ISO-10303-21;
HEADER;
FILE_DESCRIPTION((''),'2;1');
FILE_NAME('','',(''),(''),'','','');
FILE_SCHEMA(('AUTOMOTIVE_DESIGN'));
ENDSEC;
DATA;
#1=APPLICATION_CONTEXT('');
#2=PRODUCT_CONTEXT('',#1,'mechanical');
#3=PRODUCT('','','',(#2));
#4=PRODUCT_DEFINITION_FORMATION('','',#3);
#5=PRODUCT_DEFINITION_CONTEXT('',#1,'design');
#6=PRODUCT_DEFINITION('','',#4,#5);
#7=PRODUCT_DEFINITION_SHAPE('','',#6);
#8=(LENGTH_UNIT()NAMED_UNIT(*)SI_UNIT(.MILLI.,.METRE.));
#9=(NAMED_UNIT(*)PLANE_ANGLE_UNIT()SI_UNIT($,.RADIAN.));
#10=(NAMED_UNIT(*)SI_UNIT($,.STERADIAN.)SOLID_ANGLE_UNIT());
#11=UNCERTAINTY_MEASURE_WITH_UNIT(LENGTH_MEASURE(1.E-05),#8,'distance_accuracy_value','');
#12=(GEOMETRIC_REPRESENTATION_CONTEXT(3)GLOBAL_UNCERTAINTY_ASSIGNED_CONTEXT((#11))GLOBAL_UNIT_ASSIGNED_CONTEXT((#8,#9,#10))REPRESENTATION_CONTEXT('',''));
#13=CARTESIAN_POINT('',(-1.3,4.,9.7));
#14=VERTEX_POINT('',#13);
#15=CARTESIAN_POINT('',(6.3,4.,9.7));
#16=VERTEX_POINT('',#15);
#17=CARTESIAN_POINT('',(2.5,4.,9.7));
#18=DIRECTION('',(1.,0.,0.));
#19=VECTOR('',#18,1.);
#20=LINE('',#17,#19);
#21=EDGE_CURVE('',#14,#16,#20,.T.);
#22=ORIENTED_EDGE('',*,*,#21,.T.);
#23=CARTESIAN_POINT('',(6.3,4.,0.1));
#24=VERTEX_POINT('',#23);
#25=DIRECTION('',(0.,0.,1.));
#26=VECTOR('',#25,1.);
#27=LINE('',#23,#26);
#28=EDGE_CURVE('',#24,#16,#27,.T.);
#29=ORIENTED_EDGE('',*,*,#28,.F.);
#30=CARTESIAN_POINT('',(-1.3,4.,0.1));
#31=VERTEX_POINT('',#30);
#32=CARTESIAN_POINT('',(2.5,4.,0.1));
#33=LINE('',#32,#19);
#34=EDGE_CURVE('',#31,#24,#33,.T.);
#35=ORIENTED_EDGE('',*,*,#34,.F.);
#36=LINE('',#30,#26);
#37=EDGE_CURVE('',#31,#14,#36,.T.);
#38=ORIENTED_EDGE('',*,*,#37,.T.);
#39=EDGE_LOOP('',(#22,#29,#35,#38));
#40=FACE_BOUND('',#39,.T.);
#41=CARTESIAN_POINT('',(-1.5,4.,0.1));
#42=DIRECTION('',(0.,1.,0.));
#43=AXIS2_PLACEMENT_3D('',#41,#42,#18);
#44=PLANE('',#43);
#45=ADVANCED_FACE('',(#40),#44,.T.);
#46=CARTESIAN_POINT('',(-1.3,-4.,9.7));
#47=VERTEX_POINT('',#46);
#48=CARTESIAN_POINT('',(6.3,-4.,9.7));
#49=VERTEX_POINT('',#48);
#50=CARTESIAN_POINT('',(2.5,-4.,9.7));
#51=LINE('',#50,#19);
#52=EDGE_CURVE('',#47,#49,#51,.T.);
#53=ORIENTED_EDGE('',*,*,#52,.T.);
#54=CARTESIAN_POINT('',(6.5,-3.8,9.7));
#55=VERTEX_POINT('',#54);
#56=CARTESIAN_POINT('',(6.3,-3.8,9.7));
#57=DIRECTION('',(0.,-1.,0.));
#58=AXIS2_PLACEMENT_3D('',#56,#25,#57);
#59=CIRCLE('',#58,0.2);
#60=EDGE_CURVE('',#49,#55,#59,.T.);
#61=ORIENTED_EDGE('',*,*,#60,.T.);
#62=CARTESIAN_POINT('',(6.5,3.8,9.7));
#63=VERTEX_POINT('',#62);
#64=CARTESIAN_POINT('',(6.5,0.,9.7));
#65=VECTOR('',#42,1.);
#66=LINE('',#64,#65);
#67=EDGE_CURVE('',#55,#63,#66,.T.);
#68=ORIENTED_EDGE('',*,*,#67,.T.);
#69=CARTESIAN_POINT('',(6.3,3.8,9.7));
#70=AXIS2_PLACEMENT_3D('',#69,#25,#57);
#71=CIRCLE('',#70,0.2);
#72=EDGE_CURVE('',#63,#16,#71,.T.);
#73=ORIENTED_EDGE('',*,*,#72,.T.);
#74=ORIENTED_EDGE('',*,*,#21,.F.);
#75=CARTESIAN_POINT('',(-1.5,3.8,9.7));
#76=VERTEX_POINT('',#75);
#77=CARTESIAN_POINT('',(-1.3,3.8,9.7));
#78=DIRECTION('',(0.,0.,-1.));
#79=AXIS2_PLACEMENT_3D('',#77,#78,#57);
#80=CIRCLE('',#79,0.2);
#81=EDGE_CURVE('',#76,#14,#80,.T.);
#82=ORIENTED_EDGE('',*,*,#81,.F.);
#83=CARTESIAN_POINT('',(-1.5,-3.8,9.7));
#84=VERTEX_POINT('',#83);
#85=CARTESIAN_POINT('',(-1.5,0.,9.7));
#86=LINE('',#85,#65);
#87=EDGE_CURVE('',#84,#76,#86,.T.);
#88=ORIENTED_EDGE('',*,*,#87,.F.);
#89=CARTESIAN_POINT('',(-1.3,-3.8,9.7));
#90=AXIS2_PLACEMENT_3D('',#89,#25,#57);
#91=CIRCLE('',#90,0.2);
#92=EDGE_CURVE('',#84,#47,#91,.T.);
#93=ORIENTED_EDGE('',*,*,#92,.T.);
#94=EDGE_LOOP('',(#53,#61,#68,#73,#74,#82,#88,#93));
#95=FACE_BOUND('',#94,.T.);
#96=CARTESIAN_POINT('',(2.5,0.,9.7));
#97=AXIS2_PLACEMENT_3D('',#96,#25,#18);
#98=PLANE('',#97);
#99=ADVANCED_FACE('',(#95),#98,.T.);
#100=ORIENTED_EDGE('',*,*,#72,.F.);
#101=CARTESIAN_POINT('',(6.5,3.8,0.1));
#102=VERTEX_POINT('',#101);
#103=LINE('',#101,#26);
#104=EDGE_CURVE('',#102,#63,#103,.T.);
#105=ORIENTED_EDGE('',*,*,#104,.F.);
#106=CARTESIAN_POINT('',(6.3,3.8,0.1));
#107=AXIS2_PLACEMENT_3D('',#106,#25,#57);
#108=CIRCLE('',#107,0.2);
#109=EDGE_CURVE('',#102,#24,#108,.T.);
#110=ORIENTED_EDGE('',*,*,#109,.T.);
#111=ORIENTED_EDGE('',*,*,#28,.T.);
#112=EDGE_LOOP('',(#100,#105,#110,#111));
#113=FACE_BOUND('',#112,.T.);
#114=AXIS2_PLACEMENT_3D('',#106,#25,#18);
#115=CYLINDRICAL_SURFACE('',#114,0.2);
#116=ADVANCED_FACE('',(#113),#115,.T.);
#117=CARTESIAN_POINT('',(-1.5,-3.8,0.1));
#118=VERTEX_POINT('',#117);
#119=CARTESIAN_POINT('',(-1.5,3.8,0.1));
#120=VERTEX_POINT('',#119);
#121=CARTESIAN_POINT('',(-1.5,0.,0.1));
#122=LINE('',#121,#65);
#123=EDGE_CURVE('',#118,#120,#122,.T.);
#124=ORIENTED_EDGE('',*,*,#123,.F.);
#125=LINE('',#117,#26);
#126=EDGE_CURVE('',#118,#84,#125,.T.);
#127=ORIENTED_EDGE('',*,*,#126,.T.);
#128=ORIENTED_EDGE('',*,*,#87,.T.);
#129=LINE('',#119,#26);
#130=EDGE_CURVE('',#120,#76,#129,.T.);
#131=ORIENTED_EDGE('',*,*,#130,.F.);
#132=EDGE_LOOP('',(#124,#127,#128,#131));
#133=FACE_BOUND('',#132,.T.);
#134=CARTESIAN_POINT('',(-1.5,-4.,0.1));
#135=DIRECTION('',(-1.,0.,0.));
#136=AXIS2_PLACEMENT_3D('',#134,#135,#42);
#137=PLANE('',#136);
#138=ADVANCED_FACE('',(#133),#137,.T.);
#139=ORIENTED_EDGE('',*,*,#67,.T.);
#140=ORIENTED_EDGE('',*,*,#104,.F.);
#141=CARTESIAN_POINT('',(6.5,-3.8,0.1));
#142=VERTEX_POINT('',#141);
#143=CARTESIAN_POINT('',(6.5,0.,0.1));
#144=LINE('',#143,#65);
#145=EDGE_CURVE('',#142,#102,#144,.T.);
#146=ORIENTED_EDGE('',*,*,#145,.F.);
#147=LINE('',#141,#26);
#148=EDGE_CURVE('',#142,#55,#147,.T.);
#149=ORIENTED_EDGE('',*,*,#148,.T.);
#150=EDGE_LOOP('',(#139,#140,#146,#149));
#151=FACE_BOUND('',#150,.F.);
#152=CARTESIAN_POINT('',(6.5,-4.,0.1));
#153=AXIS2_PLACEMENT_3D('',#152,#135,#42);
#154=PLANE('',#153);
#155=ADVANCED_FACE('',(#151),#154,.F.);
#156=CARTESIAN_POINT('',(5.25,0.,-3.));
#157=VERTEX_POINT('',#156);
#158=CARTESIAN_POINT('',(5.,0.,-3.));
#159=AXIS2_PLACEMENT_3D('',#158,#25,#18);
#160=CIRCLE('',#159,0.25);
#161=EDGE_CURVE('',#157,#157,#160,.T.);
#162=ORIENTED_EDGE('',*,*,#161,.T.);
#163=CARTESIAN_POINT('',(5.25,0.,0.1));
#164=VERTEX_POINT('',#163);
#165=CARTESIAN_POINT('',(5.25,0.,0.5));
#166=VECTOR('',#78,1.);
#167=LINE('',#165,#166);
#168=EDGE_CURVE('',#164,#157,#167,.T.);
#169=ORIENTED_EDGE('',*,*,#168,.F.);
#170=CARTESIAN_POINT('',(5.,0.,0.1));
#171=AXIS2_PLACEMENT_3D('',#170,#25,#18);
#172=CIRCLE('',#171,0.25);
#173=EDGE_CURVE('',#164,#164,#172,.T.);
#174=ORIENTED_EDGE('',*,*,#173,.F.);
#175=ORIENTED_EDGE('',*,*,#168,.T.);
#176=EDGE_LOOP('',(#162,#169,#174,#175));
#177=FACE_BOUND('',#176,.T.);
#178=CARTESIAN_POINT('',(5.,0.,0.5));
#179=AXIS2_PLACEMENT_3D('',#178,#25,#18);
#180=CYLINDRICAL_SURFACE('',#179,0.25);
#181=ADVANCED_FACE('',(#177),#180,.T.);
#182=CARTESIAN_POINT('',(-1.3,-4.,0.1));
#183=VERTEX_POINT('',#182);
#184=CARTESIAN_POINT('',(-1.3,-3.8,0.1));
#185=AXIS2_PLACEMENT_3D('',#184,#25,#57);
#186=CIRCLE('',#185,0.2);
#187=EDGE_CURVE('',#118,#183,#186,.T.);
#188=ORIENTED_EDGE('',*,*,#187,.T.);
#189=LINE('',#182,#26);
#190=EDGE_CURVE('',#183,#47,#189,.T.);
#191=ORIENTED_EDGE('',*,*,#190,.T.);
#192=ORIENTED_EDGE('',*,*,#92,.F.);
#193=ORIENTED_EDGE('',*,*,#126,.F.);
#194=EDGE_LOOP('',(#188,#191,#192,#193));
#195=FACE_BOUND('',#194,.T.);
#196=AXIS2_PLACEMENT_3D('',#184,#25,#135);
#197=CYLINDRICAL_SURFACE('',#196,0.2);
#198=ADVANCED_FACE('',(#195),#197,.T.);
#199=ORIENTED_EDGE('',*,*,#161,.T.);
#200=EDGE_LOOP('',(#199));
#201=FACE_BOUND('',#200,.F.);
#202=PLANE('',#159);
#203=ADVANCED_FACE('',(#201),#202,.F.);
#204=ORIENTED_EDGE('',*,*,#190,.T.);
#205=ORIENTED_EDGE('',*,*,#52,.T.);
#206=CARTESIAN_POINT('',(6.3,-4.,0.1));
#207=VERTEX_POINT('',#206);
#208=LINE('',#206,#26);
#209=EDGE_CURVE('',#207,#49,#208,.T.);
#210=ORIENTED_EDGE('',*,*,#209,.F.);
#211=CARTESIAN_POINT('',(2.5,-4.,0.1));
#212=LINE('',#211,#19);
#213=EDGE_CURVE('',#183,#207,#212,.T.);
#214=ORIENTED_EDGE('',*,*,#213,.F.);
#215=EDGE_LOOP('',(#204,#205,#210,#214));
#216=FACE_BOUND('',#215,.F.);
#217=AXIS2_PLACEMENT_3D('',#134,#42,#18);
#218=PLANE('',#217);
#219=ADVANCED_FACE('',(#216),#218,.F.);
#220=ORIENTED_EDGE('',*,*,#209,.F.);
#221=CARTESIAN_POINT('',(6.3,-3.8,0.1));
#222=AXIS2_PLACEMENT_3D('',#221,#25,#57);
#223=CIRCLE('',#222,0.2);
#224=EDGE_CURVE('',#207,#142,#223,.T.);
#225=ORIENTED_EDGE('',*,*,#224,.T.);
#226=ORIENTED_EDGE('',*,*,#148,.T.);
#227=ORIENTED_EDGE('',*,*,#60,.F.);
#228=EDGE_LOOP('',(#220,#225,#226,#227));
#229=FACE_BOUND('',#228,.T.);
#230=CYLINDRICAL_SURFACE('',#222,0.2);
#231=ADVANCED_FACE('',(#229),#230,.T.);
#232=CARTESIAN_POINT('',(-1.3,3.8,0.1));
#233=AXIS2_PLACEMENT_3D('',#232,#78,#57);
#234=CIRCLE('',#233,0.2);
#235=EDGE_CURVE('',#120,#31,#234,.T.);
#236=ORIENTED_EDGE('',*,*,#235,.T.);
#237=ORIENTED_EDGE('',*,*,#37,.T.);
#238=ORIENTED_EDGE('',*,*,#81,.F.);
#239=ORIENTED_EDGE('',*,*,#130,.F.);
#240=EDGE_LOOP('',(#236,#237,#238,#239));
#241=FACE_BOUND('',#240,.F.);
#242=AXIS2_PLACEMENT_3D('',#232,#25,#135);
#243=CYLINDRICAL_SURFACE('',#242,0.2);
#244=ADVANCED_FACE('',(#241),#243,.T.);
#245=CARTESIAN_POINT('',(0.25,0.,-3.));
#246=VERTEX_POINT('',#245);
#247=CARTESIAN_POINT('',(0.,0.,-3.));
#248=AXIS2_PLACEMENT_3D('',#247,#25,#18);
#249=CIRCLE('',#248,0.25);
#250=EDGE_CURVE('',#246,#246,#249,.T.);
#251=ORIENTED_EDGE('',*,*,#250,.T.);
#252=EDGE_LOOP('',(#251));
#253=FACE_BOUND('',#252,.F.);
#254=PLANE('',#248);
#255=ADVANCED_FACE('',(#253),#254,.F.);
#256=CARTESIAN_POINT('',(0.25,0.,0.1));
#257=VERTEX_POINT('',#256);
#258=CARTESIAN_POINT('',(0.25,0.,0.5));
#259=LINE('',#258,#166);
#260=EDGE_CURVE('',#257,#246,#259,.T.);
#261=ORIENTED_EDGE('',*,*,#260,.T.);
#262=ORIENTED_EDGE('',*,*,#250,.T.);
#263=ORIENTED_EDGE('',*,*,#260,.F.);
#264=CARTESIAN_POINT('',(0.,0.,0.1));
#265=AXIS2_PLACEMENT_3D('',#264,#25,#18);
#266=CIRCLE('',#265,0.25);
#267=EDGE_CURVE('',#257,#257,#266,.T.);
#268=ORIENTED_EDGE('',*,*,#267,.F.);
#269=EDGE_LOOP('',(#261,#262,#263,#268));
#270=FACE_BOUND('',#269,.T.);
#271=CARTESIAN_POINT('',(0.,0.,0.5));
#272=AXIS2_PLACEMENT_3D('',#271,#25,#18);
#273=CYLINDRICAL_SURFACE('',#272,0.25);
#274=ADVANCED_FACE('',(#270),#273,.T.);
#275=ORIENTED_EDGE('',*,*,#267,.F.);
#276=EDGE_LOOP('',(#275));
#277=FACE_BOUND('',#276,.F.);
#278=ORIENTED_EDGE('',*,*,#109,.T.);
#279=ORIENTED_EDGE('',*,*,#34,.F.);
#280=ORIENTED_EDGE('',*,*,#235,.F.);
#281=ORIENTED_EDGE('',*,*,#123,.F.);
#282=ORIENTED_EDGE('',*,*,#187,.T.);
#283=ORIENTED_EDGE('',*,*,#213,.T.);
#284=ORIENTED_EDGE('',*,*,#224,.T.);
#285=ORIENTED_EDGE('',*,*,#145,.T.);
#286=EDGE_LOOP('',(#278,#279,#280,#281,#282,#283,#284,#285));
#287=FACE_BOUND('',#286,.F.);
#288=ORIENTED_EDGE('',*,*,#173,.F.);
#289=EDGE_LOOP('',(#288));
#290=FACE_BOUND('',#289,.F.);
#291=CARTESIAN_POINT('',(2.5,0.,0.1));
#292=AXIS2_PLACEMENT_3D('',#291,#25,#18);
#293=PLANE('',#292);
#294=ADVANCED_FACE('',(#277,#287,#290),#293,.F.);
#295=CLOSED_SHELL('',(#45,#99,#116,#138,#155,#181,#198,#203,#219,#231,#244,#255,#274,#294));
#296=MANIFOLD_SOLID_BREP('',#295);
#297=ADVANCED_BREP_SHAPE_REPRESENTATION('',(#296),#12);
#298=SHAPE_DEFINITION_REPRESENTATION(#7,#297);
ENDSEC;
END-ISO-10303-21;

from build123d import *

# Parameters (mm, degrees)
SKETCH_W     = 8
SKETCH_H     = 8
PAD_DEPTH    = 9.6
FILLET_R     = 0.2
SKETCH001_R  = 0.25
PAD001_DEPTH = 3.5


with BuildPart() as fillet_body:
    # Sketch → Pad (new body)
    with BuildSketch(Plane.XY.offset(0.1)):
        with Locations((2.5, 0)):
            Rectangle(SKETCH_W, SKETCH_H)
    extrude(amount=PAD_DEPTH)

    # Fillet
    fillet_edges = [fillet_body.edges().sort_by_distance(p)[0] for p in [
        (6.5, -4, 4.9),
        (6.5, 4, 4.9),
        (-1.5, -4, 4.9),
        (-1.5, 4, 4.9),
    ]]
    fillet(fillet_edges, radius=FILLET_R)


with BuildPart() as pad001_mp_cp:
    # Sketch001 → Pad001 (new body)
    with BuildSketch(Plane.XY.offset(0.5)):
        Circle(SKETCH001_R)
        with Locations((5, 0)):
            Circle(SKETCH001_R)
    extrude(amount=-PAD001_DEPTH)

    # Pad001_mp_cp: union Fillet body
    add(fillet_body.part)


solid = pad001_mp_cp.part
